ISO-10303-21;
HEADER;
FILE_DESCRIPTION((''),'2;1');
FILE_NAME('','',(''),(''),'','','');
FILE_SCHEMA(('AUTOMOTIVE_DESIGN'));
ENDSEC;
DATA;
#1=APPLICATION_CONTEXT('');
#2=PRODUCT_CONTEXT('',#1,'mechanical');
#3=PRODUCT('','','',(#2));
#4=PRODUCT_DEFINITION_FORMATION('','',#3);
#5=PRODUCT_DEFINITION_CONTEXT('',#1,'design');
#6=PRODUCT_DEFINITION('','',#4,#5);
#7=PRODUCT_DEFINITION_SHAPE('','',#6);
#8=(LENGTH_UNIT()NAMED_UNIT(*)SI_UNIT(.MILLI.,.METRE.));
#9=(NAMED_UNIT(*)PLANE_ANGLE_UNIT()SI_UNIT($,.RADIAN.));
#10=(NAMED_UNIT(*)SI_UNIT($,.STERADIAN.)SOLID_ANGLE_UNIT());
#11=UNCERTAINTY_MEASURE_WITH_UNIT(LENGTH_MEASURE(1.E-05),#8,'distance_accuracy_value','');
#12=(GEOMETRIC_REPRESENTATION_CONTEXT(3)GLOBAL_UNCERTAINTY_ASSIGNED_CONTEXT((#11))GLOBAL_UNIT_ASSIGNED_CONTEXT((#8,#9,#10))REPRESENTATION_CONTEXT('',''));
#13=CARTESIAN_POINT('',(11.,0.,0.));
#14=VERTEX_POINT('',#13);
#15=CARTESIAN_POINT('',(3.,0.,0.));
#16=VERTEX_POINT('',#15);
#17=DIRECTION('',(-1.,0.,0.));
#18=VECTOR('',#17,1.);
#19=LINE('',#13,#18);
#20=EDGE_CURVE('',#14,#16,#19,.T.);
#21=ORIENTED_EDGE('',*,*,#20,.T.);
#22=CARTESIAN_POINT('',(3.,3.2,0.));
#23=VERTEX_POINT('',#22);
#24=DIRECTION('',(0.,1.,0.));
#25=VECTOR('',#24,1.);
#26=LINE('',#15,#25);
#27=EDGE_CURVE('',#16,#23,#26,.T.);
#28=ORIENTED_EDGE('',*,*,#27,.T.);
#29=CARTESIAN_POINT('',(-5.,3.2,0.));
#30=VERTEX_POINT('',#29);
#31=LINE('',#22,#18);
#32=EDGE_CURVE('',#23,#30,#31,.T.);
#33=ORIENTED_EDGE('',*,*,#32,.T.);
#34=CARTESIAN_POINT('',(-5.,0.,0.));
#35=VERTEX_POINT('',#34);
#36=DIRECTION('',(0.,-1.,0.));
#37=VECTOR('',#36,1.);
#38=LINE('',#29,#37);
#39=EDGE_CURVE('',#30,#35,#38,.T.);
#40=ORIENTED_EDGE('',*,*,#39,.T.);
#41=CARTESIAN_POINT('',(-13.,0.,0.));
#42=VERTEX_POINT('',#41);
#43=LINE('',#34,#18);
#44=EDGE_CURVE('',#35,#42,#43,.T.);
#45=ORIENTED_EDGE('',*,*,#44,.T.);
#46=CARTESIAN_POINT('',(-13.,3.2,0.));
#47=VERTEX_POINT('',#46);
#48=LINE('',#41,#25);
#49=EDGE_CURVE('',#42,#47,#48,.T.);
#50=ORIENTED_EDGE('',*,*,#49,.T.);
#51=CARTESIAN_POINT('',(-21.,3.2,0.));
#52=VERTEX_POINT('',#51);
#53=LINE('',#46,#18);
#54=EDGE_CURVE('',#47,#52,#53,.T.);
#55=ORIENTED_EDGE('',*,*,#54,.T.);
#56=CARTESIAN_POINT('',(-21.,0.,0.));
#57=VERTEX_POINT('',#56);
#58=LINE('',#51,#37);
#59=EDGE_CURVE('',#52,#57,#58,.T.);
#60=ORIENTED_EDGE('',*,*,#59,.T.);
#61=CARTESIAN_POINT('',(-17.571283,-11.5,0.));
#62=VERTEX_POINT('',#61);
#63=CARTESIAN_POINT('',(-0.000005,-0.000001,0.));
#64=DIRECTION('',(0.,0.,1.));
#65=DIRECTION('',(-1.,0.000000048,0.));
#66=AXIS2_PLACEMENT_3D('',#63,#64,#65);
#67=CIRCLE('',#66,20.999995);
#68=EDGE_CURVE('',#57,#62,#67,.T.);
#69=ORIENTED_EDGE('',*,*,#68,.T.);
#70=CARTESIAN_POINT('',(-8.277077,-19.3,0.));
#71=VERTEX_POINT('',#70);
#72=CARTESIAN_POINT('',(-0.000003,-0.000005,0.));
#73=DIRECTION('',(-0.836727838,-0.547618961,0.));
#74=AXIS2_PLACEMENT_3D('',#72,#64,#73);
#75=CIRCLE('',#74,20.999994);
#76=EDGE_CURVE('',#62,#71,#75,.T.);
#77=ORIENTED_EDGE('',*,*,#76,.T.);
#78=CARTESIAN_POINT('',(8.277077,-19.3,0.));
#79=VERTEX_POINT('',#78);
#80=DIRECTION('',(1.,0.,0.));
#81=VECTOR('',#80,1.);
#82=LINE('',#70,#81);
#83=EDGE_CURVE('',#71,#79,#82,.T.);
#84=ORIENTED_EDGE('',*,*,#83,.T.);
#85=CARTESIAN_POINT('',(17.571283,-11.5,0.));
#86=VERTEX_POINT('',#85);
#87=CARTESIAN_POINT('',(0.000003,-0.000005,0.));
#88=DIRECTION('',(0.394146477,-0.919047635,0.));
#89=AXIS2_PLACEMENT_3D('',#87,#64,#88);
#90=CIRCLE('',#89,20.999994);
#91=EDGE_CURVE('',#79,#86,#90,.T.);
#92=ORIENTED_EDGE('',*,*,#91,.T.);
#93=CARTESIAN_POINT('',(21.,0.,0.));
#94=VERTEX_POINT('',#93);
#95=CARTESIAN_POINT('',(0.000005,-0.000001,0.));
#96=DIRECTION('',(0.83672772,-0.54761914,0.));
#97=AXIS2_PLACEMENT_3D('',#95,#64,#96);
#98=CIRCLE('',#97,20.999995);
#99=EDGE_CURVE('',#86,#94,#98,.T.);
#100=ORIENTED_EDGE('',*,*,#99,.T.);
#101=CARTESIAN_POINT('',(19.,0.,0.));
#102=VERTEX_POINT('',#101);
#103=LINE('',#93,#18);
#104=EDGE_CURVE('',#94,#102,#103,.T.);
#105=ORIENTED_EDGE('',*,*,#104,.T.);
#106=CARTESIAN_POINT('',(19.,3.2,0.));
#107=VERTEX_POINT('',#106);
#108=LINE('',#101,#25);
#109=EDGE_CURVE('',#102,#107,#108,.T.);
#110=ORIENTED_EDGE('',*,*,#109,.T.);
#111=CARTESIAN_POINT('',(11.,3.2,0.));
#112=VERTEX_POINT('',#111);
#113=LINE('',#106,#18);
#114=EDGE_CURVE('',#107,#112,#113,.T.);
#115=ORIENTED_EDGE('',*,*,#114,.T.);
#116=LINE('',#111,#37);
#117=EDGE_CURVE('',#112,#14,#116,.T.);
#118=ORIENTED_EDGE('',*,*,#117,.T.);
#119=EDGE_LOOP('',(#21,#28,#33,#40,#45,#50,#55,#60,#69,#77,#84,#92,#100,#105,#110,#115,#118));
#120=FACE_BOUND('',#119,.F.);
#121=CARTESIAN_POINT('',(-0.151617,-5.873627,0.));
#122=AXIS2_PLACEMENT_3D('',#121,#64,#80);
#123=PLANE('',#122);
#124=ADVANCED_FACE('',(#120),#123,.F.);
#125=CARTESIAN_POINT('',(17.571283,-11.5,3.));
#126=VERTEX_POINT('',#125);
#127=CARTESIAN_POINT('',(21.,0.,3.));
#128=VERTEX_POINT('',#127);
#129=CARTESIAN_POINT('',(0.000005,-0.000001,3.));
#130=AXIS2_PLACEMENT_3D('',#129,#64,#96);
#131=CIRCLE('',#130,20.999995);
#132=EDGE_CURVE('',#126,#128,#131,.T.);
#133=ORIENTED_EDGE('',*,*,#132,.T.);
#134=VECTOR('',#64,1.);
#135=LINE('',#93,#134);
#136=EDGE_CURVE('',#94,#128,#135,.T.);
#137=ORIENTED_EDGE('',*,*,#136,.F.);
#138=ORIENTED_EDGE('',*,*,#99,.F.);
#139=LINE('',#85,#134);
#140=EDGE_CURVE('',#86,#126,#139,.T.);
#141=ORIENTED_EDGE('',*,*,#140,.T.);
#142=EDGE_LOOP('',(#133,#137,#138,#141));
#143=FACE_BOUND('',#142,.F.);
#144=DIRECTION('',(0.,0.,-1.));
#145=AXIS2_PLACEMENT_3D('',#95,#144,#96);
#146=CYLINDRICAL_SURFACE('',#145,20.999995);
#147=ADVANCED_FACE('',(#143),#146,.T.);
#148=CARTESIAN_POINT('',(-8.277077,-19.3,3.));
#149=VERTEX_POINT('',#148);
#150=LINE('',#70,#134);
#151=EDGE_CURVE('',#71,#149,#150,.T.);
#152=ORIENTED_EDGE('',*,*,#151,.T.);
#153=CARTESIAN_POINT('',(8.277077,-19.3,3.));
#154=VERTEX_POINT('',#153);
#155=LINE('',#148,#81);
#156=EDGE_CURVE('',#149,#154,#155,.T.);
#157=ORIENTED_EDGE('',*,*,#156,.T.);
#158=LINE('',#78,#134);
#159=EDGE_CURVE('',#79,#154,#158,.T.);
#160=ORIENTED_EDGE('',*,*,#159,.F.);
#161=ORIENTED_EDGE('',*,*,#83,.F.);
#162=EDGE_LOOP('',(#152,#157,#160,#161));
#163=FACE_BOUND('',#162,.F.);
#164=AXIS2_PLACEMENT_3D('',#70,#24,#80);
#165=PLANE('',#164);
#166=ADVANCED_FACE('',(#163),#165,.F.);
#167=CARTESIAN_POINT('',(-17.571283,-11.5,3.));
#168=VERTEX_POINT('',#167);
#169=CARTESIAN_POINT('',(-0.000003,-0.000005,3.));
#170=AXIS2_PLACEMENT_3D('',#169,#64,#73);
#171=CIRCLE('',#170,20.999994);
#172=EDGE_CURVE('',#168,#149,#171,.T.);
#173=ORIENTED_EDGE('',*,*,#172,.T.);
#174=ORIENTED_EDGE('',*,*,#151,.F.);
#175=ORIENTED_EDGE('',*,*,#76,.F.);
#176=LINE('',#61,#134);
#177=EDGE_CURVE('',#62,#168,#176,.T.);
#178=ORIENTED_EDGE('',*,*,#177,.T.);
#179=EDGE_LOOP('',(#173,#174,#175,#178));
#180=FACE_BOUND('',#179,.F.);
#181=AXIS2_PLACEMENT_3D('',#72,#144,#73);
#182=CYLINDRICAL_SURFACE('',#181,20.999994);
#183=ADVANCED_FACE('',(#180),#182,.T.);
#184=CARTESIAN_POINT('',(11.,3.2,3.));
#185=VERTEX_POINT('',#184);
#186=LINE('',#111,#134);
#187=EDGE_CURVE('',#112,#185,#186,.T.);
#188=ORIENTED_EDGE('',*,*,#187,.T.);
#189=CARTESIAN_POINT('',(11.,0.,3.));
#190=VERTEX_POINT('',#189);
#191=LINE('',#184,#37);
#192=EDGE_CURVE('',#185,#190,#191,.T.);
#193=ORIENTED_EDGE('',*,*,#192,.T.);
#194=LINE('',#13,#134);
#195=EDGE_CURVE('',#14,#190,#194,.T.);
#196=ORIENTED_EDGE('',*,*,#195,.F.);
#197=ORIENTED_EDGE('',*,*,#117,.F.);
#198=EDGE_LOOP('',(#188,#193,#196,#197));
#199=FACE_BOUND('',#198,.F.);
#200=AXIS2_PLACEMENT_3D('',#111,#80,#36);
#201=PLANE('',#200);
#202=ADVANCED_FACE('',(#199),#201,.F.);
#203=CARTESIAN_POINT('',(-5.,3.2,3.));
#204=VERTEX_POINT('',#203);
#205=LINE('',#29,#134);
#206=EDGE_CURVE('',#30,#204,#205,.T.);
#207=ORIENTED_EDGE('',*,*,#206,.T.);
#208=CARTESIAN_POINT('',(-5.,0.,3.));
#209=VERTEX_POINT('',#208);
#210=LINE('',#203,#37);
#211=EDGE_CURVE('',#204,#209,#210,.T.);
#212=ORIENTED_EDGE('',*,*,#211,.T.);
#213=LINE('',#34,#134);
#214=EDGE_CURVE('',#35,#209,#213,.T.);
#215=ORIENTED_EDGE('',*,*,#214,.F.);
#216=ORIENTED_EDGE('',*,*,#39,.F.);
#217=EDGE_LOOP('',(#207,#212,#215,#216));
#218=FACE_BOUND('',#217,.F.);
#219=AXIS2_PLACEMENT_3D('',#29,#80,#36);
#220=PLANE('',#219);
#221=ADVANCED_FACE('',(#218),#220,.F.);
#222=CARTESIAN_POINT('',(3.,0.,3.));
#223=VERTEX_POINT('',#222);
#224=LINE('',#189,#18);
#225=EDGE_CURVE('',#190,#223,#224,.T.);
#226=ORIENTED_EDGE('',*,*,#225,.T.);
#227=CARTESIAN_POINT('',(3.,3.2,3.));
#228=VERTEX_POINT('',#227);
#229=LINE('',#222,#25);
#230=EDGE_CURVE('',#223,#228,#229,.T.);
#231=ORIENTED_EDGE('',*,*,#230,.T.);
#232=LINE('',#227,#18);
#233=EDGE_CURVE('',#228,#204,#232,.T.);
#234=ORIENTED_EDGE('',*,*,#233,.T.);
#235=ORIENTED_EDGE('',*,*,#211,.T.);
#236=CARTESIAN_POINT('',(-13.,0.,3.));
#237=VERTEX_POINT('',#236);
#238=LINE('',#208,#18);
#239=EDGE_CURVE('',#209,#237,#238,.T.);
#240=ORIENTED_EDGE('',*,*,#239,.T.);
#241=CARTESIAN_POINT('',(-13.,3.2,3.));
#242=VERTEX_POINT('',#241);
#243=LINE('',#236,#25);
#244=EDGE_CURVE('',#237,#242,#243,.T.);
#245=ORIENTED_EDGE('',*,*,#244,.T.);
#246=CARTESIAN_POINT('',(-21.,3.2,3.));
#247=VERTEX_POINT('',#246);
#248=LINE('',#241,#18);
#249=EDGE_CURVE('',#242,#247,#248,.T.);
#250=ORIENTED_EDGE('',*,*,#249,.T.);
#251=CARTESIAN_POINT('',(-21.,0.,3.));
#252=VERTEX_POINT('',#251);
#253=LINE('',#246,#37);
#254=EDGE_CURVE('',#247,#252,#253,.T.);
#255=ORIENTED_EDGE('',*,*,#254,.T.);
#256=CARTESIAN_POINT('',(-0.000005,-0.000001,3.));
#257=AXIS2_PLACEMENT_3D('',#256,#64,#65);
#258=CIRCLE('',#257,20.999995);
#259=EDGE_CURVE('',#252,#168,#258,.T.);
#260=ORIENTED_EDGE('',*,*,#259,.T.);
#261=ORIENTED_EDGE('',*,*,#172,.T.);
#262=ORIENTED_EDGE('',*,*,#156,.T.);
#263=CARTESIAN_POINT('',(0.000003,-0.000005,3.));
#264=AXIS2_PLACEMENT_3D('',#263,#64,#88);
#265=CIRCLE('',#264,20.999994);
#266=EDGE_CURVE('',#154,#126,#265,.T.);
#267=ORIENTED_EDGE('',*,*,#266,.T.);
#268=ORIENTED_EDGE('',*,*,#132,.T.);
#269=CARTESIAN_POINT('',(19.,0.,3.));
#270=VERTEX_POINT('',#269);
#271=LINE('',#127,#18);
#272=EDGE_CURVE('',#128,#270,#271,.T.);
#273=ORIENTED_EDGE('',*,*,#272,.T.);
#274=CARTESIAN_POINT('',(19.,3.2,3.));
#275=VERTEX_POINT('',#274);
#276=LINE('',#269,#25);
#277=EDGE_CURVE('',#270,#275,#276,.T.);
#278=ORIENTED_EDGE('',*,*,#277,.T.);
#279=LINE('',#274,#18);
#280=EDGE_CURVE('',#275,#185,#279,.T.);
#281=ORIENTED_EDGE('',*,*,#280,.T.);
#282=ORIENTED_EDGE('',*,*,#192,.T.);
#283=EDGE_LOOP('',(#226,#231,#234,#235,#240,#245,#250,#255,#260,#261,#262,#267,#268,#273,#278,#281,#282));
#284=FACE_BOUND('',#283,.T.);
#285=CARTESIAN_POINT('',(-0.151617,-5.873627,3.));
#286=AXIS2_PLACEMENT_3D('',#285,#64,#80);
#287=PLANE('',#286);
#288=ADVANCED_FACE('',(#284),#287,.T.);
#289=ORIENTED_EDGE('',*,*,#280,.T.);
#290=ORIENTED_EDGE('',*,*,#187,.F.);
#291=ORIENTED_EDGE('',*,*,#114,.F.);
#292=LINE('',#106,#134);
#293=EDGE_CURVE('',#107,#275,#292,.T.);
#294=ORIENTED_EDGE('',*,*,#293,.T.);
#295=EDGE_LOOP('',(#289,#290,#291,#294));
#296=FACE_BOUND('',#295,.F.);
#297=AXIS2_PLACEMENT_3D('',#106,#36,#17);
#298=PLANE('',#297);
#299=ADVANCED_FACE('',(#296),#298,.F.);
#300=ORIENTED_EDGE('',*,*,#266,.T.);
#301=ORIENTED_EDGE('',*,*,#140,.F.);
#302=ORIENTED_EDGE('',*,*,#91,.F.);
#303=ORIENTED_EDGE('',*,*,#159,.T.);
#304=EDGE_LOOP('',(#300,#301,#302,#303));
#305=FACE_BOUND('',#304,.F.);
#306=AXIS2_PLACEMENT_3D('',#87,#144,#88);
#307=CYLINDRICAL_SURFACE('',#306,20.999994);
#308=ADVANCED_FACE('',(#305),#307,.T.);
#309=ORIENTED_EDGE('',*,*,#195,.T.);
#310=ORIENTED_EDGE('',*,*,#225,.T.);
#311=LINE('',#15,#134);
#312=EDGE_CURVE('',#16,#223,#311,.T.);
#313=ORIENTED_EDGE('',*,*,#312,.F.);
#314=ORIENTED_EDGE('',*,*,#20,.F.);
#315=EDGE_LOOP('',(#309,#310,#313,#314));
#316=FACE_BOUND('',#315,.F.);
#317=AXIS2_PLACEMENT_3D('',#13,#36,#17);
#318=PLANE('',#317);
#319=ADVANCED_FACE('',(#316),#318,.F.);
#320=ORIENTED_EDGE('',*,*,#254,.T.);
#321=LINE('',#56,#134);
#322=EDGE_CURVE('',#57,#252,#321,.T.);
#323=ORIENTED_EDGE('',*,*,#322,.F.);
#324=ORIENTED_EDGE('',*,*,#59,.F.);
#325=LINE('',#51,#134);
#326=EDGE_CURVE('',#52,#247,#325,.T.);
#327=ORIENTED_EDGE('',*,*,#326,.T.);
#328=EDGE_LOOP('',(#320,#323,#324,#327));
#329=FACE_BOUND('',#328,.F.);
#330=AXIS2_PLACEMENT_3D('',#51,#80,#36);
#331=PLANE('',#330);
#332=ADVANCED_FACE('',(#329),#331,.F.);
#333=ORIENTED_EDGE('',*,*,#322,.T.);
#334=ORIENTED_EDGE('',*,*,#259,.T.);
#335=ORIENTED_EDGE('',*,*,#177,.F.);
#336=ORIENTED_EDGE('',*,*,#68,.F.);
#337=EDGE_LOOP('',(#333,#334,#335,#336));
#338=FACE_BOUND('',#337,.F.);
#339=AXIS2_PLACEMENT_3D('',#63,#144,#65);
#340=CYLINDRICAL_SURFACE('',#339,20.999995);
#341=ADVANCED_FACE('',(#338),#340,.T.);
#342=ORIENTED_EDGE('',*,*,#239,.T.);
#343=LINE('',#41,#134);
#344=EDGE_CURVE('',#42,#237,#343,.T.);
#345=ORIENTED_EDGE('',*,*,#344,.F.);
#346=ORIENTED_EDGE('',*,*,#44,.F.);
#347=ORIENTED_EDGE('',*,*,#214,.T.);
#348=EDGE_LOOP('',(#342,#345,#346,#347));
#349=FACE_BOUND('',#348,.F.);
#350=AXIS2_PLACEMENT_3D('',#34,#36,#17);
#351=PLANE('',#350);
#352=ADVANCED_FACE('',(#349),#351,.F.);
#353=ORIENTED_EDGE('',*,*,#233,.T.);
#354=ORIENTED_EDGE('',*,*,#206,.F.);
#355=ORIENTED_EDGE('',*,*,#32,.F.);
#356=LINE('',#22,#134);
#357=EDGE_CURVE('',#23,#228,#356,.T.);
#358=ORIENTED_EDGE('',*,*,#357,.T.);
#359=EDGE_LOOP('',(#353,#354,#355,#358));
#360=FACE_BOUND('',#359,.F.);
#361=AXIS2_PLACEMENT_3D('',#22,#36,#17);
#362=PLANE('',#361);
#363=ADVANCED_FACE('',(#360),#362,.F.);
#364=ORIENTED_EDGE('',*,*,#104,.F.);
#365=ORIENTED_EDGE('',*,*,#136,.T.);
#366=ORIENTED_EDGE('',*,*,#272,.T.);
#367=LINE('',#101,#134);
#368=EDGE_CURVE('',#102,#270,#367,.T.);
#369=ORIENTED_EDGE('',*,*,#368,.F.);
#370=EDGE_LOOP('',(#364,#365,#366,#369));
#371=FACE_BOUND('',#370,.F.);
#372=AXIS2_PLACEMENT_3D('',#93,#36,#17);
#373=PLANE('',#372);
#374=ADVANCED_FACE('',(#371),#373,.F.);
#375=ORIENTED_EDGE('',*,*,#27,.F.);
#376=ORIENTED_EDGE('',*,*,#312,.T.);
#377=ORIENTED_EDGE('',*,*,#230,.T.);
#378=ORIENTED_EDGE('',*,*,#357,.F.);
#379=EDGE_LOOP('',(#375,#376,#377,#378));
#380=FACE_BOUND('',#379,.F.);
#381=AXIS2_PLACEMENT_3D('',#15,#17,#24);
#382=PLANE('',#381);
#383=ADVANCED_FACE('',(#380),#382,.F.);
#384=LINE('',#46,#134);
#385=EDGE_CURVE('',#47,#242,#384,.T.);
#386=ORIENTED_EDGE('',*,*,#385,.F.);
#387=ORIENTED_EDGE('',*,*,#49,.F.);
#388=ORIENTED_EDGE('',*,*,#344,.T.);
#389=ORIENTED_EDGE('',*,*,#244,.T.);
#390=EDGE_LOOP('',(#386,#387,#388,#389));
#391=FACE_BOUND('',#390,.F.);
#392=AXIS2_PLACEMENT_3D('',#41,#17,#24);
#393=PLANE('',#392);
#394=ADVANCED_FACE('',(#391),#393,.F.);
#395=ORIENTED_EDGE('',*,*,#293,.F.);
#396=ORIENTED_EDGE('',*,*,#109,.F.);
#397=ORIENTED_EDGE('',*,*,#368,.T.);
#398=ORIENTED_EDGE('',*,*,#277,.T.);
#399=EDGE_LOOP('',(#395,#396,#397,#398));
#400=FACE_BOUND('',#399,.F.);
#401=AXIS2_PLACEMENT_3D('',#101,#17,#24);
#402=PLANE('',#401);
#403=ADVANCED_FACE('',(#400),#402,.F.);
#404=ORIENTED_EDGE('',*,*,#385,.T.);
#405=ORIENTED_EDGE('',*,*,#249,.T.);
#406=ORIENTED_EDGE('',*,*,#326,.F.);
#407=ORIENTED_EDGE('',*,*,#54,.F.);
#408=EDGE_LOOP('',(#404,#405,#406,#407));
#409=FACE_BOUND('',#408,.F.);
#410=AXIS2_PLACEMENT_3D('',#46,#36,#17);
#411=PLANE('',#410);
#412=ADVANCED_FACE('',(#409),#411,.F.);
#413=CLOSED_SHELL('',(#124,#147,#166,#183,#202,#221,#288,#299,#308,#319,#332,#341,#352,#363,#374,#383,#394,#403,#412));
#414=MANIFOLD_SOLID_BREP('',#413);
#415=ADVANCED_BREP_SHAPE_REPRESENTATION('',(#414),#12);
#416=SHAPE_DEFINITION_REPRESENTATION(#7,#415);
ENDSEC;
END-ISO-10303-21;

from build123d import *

# Parameters (mm, degrees)
F1_DEPTH = 3


with BuildPart() as f1:
    # F0 (on Top) → F1 (new body)
    with BuildSketch(Plane.XY):
        with BuildLine():
            Line((-21, 3.2), (-21, 0))
            ThreePointArc((-21, 0), (-20.124574, -6.000127), (-17.571283, -11.5))
            ThreePointArc((-17.571283, -11.5), (-13.499794, -16.085881), (-8.277077, -19.3))
            Line((-8.277077, -19.3), (8.277077, -19.3))
            ThreePointArc((8.277077, -19.3), (13.499794, -16.085881), (17.571283, -11.5))
            ThreePointArc((17.571283, -11.5), (20.124574, -6.000127), (21, 0))
            Line((21, 0), (19, 0))
            Line((19, 0), (19, 3.2))
            Line((19, 3.2), (11, 3.2))
            Line((11, 3.2), (11, 0))
            Line((11, 0), (3, 0))
            Line((3, 0), (3, 3.2))
            Line((3, 3.2), (-5, 3.2))
            Line((-5, 3.2), (-5, 0))
            Line((-5, 0), (-13, 0))
            Line((-13, 0), (-13, 3.2))
            Line((-13, 3.2), (-21, 3.2))
        make_face()
    extrude(amount=F1_DEPTH)


solid = f1.part
